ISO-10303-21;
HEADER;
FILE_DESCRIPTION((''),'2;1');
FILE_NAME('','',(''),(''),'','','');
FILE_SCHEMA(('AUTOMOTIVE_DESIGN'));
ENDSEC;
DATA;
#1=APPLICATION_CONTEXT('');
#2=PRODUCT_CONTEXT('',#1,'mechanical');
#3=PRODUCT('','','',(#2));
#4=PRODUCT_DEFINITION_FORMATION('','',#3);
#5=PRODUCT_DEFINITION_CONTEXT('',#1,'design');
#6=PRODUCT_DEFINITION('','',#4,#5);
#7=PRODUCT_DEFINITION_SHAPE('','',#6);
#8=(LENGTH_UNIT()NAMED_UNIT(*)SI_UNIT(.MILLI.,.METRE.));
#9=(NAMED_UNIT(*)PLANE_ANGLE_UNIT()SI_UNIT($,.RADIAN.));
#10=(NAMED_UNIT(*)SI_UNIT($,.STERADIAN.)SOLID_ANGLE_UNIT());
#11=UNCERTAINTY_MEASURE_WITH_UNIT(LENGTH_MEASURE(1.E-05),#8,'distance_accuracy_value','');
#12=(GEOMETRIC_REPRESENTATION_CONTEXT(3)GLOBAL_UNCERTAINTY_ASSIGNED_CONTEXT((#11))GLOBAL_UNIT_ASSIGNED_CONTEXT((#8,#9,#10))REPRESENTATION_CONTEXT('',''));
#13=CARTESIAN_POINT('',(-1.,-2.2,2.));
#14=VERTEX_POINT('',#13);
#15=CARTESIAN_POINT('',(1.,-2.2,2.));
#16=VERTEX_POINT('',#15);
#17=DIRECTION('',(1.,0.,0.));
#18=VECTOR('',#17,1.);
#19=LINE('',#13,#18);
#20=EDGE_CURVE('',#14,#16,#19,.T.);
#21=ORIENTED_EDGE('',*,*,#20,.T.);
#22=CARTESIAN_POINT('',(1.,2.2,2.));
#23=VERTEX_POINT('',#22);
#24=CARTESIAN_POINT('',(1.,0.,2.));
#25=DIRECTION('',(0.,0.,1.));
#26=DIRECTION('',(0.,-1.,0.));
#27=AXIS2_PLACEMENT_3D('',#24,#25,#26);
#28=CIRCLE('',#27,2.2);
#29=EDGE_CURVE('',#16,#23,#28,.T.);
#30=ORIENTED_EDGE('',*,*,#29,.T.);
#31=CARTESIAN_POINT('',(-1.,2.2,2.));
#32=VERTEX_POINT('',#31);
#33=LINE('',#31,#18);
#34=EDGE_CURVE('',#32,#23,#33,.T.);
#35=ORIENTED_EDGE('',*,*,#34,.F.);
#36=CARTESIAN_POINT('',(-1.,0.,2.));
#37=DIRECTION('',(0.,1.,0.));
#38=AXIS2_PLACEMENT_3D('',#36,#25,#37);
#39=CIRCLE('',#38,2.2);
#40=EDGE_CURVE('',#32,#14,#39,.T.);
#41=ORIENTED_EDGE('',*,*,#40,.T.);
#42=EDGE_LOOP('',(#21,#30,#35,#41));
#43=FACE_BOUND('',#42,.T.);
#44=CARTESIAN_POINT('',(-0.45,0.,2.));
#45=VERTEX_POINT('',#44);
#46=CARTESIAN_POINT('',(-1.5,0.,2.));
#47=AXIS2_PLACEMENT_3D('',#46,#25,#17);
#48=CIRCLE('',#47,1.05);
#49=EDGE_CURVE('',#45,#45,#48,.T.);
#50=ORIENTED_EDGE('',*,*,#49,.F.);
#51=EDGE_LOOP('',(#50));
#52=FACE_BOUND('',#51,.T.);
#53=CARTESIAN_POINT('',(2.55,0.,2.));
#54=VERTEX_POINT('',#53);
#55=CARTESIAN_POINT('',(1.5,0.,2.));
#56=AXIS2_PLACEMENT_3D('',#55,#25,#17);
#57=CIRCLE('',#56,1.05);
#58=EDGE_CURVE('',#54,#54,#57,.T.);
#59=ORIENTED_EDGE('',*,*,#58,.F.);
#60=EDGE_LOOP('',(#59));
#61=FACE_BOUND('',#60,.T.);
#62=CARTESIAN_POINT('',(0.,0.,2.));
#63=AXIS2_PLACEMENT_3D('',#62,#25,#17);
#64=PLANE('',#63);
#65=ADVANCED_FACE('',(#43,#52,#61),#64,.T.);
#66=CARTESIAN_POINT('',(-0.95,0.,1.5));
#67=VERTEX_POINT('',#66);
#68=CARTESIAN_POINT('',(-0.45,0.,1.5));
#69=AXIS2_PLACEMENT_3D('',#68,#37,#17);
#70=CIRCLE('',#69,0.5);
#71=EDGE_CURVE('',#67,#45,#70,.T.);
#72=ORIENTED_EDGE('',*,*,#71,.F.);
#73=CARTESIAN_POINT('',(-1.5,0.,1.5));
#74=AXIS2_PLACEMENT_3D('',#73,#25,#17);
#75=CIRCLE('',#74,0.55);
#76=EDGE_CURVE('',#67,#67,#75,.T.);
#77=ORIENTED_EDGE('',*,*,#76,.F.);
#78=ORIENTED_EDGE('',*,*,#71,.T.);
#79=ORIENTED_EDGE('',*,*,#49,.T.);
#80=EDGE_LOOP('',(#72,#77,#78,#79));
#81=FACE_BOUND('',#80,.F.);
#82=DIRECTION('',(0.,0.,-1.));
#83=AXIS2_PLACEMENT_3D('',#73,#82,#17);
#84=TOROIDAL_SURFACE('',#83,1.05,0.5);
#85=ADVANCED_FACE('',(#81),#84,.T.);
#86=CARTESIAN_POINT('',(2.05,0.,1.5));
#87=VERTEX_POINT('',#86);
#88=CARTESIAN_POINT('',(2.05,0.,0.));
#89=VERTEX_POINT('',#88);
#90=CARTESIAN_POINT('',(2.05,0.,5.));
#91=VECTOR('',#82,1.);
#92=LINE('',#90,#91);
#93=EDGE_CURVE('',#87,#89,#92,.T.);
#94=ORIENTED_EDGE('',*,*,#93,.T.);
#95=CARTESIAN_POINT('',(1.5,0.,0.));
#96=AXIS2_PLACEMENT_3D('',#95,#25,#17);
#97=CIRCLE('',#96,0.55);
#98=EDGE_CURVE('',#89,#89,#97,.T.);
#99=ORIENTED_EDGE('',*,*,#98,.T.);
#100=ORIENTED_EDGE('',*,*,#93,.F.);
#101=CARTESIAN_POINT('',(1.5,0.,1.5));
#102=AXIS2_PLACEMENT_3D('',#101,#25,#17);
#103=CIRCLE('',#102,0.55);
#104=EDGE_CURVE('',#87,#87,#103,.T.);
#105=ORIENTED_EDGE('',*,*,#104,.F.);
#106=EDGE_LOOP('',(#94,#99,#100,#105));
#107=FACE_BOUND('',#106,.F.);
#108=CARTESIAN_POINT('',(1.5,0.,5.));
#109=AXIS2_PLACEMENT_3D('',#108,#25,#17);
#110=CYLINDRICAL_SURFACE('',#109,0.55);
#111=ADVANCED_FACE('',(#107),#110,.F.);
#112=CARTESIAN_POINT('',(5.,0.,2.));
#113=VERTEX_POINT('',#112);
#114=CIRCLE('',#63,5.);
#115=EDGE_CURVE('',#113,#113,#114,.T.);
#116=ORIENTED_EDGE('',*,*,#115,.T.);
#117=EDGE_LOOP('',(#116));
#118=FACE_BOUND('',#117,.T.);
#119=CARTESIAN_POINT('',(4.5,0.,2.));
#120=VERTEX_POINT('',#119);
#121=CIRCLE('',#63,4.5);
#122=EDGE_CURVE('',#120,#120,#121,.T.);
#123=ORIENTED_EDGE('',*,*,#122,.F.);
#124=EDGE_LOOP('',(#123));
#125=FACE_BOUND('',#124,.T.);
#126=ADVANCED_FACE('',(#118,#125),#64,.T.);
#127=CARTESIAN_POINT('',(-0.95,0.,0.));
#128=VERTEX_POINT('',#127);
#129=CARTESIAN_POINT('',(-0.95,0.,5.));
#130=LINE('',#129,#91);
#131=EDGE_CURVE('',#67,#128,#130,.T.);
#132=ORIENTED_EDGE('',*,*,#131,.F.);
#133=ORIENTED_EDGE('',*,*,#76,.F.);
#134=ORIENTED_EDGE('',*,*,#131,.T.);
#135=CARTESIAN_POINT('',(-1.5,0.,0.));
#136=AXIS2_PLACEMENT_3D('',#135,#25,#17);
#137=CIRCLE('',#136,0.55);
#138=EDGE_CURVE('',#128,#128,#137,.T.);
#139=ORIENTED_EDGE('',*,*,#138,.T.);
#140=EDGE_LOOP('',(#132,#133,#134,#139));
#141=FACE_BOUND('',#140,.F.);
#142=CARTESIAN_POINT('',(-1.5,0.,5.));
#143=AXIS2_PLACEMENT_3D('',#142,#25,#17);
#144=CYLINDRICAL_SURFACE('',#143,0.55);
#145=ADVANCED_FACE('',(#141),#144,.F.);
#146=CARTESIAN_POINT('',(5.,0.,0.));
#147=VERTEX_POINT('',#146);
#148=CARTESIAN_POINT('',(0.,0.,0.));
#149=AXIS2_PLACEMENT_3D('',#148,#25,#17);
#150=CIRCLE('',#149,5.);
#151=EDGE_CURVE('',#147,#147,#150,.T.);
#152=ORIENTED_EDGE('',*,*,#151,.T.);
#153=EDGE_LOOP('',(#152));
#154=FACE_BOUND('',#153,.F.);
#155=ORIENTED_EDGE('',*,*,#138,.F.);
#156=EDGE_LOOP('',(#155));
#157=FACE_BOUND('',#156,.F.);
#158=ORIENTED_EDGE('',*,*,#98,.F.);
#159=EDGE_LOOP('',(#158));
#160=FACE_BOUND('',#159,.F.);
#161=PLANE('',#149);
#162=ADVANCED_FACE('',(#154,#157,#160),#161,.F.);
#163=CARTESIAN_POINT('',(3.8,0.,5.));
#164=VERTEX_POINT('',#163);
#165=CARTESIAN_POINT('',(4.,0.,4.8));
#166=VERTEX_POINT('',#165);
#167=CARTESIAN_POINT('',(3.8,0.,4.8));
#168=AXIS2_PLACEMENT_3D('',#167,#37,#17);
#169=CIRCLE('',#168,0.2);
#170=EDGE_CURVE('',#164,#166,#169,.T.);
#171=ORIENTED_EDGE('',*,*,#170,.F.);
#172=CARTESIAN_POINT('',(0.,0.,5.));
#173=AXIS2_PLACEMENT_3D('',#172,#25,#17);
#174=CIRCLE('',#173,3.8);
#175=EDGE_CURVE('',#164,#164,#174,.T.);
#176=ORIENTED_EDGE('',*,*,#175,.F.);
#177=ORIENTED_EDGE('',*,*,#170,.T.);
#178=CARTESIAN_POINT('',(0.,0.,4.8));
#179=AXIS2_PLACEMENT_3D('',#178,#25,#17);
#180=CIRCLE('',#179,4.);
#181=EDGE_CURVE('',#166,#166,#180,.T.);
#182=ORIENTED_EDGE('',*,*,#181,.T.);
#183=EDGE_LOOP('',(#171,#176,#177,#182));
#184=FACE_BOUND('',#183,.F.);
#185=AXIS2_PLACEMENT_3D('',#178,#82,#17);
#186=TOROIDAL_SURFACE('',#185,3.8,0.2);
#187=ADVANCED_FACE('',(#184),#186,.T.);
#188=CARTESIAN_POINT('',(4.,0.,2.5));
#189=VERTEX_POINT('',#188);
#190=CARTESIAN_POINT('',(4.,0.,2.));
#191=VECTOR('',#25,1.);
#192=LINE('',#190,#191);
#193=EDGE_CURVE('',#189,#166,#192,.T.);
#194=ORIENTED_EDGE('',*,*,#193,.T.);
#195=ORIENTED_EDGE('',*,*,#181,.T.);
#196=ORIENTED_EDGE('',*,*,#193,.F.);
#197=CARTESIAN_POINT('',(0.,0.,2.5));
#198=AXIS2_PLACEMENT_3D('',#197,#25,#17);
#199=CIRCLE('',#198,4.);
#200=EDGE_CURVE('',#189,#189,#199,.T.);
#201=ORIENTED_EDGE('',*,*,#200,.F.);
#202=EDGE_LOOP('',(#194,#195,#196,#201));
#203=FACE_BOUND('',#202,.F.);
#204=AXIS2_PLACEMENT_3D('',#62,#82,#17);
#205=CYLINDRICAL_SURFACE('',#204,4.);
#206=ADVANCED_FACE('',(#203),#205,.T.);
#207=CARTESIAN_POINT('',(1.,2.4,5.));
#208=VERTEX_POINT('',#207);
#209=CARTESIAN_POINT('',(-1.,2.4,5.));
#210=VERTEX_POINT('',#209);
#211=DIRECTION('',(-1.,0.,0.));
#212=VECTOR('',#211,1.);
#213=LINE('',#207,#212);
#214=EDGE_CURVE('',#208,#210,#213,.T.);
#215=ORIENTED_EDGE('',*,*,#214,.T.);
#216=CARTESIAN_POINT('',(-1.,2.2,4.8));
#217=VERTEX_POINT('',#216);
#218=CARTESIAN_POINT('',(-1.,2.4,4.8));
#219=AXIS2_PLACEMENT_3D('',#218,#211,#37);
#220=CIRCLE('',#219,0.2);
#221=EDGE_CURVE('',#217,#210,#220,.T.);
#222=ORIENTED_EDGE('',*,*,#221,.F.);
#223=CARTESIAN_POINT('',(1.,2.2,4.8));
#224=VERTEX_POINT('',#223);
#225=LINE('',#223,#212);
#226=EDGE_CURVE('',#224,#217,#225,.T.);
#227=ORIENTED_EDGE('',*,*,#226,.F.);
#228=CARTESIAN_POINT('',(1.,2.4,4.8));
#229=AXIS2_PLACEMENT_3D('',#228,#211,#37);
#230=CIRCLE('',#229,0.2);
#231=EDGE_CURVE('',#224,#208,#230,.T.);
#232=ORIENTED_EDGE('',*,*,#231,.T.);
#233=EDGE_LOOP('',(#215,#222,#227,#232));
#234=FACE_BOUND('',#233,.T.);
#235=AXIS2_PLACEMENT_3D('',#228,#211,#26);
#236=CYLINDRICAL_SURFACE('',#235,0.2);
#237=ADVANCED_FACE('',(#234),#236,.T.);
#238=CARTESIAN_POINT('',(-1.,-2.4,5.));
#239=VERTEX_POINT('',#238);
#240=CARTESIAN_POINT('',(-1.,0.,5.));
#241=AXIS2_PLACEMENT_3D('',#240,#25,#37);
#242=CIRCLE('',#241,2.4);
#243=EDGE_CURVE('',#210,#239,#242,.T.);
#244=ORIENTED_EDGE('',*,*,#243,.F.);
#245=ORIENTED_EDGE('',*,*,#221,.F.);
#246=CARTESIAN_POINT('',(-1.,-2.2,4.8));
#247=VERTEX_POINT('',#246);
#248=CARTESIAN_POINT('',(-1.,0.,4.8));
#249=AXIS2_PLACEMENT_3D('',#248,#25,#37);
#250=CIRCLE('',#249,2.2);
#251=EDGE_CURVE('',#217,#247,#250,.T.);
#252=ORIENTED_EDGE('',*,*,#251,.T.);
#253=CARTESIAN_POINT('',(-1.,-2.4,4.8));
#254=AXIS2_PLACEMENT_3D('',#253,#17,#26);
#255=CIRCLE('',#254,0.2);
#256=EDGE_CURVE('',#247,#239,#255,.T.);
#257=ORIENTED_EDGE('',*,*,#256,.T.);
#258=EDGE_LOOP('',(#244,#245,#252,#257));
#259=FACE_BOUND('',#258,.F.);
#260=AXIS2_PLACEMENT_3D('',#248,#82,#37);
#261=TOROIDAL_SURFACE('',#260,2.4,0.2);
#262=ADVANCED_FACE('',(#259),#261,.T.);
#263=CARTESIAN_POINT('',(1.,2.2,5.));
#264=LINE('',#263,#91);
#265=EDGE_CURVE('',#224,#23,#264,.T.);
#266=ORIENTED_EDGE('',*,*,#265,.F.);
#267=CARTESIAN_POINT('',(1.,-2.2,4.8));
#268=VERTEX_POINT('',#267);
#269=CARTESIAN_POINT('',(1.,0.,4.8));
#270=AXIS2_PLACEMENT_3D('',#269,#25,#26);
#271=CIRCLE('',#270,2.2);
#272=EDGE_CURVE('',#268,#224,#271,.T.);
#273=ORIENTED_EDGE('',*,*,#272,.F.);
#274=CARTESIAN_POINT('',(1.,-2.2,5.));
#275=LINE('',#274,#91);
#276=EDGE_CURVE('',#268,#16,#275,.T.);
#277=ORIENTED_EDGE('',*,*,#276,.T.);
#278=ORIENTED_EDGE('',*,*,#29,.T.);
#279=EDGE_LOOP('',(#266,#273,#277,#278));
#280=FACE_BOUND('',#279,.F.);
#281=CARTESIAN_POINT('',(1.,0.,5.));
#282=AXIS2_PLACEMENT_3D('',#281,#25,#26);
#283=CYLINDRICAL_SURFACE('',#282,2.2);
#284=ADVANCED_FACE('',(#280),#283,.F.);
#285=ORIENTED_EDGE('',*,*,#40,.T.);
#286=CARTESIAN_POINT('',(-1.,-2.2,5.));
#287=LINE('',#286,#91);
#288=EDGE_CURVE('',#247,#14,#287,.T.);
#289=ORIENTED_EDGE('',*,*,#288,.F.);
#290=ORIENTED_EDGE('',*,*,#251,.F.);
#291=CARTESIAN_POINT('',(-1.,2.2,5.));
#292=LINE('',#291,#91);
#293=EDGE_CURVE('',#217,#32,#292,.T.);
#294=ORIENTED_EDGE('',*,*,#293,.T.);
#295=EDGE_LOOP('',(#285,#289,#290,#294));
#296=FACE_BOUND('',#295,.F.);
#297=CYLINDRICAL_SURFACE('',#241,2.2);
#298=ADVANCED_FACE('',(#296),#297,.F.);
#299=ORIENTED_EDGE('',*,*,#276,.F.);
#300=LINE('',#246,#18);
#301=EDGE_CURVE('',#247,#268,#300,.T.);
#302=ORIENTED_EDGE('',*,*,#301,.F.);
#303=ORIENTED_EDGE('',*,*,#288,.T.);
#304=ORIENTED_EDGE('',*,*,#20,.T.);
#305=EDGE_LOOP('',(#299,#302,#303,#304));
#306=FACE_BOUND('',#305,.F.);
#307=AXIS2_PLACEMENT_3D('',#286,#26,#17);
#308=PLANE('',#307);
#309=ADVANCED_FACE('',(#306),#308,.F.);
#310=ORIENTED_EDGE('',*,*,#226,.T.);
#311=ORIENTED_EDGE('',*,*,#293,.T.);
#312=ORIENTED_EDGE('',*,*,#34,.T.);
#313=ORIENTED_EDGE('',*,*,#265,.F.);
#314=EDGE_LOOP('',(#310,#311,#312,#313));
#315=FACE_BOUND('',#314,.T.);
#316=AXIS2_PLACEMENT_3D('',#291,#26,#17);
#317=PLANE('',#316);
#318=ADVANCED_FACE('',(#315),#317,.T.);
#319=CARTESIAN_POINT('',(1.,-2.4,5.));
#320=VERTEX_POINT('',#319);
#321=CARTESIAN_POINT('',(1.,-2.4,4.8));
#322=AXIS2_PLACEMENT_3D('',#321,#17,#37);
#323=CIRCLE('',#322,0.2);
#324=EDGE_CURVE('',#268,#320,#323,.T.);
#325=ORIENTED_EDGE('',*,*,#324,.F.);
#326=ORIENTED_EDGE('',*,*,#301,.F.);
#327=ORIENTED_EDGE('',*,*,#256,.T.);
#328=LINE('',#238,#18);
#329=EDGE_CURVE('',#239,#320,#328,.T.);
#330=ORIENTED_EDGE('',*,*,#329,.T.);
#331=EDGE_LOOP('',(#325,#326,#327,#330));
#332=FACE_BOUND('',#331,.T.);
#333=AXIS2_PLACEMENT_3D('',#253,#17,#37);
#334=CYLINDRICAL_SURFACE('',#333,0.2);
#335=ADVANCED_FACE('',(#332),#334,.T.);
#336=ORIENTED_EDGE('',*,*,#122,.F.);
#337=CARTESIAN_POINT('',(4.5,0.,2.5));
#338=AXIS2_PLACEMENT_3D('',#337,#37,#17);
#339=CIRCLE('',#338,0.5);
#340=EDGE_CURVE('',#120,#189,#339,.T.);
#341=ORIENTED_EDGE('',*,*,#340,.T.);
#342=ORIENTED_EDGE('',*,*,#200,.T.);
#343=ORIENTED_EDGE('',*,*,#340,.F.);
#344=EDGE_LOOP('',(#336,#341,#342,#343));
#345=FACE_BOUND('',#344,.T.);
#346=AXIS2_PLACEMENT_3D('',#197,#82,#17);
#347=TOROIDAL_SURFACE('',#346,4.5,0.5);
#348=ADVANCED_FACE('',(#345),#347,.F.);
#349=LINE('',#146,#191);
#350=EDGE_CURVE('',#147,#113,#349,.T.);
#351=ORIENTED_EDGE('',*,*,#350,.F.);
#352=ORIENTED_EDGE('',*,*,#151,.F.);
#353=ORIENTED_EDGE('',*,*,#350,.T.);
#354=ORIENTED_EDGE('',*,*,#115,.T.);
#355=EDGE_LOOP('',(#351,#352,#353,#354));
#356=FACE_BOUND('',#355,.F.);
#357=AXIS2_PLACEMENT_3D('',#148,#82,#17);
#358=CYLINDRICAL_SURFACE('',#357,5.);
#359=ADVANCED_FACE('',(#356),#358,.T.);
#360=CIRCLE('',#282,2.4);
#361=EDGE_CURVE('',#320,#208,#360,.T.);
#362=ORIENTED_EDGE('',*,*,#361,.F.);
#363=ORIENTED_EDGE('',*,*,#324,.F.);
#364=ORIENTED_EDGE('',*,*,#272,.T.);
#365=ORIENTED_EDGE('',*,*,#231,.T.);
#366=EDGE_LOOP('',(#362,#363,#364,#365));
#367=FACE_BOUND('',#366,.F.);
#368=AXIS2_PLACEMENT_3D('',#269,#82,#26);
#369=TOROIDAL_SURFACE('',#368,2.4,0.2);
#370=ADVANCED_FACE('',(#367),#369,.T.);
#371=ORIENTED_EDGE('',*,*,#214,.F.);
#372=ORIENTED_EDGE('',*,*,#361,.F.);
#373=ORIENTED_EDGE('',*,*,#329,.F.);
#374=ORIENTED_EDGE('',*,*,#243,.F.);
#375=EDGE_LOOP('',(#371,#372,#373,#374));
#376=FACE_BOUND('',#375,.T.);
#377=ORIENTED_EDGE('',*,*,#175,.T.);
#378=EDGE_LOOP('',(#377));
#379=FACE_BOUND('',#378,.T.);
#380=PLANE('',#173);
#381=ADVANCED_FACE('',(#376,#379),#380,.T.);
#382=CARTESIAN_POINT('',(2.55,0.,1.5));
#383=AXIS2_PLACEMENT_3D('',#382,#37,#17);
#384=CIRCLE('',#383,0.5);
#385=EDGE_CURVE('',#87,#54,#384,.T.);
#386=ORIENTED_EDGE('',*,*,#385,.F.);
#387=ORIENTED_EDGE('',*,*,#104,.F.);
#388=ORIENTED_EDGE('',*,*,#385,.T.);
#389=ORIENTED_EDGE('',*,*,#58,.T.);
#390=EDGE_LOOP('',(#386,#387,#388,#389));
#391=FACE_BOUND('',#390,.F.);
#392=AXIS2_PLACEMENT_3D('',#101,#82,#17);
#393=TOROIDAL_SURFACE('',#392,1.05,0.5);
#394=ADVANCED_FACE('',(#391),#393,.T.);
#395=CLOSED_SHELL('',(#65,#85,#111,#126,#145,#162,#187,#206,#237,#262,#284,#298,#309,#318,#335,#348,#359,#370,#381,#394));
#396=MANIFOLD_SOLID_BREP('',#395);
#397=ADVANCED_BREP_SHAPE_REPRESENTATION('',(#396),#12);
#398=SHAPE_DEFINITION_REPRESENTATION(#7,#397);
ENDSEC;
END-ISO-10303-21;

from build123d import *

# Parameters (mm, degrees)
SKETCH_R        = 5
PAD_DEPTH       = 2
SKETCH001_R     = 4
PAD001_DEPTH    = 3
POCKET_DEPTH    = 3
SKETCH003_R     = 0.55
POCKET001_DEPTH = 5.001
FILLET_R        = 0.5
FILLET001_R     = 0.5
FILLET002_R     = 0.2


with BuildPart() as part:
    # Sketch → Pad (new body)
    with BuildSketch(Plane.XY):
        Circle(SKETCH_R)
    extrude(amount=PAD_DEPTH)

    # Sketch001 (on Face3 of Pad) → Pad001 (join)
    with BuildSketch(Plane.XY.offset(2)):
        Circle(SKETCH001_R)
    extrude(amount=PAD001_DEPTH)

    # Sketch002 (on Face5 of Pad001) → Pocket (cut)
    with BuildSketch(Plane.XY.offset(5)):
        with BuildLine():
            ThreePointArc((-1, 2.2), (-3.2, 0), (-1, -2.2))
            Line((-1, -2.2), (1, -2.2))
            ThreePointArc((1, -2.2), (3.2, 0), (1, 2.2))
            Line((-1, 2.2), (1, 2.2))
        make_face()
    extrude(amount=-POCKET_DEPTH, mode=Mode.SUBTRACT)

    # Sketch003 (on Face5 of Pocket) → Pocket001 (cut, through all)
    with BuildSketch(Plane.XY.offset(5)):
        with Locations((-1.5, 0)):
            Circle(SKETCH003_R)
        with Locations((1.5, 0)):
            Circle(SKETCH003_R)
    extrude(amount=-POCKET001_DEPTH, mode=Mode.SUBTRACT)

    # Fillet
    fillet_edges = [part.edges().sort_by_distance(p)[0] for p in [
        (-4, 0, 2),
    ]]
    fillet(fillet_edges, radius=FILLET_R)

    # Fillet001
    fillet001_edges = [part.edges().sort_by_distance(p)[0] for p in [
        (-2.05, 0, 2),
        (0.95, 0, 2),
    ]]
    fillet(fillet001_edges, radius=FILLET001_R)

    # Fillet002
    fillet002_edges = [part.edges().sort_by_distance(p)[0] for p in [
        (-4, 0, 5),
        (-3.2, 0, 5),
        (0, -2.2, 5),
        (3.2, 0, 5),
        (0, 2.2, 5),
    ]]
    fillet(fillet002_edges, radius=FILLET002_R)


solid = part.part
